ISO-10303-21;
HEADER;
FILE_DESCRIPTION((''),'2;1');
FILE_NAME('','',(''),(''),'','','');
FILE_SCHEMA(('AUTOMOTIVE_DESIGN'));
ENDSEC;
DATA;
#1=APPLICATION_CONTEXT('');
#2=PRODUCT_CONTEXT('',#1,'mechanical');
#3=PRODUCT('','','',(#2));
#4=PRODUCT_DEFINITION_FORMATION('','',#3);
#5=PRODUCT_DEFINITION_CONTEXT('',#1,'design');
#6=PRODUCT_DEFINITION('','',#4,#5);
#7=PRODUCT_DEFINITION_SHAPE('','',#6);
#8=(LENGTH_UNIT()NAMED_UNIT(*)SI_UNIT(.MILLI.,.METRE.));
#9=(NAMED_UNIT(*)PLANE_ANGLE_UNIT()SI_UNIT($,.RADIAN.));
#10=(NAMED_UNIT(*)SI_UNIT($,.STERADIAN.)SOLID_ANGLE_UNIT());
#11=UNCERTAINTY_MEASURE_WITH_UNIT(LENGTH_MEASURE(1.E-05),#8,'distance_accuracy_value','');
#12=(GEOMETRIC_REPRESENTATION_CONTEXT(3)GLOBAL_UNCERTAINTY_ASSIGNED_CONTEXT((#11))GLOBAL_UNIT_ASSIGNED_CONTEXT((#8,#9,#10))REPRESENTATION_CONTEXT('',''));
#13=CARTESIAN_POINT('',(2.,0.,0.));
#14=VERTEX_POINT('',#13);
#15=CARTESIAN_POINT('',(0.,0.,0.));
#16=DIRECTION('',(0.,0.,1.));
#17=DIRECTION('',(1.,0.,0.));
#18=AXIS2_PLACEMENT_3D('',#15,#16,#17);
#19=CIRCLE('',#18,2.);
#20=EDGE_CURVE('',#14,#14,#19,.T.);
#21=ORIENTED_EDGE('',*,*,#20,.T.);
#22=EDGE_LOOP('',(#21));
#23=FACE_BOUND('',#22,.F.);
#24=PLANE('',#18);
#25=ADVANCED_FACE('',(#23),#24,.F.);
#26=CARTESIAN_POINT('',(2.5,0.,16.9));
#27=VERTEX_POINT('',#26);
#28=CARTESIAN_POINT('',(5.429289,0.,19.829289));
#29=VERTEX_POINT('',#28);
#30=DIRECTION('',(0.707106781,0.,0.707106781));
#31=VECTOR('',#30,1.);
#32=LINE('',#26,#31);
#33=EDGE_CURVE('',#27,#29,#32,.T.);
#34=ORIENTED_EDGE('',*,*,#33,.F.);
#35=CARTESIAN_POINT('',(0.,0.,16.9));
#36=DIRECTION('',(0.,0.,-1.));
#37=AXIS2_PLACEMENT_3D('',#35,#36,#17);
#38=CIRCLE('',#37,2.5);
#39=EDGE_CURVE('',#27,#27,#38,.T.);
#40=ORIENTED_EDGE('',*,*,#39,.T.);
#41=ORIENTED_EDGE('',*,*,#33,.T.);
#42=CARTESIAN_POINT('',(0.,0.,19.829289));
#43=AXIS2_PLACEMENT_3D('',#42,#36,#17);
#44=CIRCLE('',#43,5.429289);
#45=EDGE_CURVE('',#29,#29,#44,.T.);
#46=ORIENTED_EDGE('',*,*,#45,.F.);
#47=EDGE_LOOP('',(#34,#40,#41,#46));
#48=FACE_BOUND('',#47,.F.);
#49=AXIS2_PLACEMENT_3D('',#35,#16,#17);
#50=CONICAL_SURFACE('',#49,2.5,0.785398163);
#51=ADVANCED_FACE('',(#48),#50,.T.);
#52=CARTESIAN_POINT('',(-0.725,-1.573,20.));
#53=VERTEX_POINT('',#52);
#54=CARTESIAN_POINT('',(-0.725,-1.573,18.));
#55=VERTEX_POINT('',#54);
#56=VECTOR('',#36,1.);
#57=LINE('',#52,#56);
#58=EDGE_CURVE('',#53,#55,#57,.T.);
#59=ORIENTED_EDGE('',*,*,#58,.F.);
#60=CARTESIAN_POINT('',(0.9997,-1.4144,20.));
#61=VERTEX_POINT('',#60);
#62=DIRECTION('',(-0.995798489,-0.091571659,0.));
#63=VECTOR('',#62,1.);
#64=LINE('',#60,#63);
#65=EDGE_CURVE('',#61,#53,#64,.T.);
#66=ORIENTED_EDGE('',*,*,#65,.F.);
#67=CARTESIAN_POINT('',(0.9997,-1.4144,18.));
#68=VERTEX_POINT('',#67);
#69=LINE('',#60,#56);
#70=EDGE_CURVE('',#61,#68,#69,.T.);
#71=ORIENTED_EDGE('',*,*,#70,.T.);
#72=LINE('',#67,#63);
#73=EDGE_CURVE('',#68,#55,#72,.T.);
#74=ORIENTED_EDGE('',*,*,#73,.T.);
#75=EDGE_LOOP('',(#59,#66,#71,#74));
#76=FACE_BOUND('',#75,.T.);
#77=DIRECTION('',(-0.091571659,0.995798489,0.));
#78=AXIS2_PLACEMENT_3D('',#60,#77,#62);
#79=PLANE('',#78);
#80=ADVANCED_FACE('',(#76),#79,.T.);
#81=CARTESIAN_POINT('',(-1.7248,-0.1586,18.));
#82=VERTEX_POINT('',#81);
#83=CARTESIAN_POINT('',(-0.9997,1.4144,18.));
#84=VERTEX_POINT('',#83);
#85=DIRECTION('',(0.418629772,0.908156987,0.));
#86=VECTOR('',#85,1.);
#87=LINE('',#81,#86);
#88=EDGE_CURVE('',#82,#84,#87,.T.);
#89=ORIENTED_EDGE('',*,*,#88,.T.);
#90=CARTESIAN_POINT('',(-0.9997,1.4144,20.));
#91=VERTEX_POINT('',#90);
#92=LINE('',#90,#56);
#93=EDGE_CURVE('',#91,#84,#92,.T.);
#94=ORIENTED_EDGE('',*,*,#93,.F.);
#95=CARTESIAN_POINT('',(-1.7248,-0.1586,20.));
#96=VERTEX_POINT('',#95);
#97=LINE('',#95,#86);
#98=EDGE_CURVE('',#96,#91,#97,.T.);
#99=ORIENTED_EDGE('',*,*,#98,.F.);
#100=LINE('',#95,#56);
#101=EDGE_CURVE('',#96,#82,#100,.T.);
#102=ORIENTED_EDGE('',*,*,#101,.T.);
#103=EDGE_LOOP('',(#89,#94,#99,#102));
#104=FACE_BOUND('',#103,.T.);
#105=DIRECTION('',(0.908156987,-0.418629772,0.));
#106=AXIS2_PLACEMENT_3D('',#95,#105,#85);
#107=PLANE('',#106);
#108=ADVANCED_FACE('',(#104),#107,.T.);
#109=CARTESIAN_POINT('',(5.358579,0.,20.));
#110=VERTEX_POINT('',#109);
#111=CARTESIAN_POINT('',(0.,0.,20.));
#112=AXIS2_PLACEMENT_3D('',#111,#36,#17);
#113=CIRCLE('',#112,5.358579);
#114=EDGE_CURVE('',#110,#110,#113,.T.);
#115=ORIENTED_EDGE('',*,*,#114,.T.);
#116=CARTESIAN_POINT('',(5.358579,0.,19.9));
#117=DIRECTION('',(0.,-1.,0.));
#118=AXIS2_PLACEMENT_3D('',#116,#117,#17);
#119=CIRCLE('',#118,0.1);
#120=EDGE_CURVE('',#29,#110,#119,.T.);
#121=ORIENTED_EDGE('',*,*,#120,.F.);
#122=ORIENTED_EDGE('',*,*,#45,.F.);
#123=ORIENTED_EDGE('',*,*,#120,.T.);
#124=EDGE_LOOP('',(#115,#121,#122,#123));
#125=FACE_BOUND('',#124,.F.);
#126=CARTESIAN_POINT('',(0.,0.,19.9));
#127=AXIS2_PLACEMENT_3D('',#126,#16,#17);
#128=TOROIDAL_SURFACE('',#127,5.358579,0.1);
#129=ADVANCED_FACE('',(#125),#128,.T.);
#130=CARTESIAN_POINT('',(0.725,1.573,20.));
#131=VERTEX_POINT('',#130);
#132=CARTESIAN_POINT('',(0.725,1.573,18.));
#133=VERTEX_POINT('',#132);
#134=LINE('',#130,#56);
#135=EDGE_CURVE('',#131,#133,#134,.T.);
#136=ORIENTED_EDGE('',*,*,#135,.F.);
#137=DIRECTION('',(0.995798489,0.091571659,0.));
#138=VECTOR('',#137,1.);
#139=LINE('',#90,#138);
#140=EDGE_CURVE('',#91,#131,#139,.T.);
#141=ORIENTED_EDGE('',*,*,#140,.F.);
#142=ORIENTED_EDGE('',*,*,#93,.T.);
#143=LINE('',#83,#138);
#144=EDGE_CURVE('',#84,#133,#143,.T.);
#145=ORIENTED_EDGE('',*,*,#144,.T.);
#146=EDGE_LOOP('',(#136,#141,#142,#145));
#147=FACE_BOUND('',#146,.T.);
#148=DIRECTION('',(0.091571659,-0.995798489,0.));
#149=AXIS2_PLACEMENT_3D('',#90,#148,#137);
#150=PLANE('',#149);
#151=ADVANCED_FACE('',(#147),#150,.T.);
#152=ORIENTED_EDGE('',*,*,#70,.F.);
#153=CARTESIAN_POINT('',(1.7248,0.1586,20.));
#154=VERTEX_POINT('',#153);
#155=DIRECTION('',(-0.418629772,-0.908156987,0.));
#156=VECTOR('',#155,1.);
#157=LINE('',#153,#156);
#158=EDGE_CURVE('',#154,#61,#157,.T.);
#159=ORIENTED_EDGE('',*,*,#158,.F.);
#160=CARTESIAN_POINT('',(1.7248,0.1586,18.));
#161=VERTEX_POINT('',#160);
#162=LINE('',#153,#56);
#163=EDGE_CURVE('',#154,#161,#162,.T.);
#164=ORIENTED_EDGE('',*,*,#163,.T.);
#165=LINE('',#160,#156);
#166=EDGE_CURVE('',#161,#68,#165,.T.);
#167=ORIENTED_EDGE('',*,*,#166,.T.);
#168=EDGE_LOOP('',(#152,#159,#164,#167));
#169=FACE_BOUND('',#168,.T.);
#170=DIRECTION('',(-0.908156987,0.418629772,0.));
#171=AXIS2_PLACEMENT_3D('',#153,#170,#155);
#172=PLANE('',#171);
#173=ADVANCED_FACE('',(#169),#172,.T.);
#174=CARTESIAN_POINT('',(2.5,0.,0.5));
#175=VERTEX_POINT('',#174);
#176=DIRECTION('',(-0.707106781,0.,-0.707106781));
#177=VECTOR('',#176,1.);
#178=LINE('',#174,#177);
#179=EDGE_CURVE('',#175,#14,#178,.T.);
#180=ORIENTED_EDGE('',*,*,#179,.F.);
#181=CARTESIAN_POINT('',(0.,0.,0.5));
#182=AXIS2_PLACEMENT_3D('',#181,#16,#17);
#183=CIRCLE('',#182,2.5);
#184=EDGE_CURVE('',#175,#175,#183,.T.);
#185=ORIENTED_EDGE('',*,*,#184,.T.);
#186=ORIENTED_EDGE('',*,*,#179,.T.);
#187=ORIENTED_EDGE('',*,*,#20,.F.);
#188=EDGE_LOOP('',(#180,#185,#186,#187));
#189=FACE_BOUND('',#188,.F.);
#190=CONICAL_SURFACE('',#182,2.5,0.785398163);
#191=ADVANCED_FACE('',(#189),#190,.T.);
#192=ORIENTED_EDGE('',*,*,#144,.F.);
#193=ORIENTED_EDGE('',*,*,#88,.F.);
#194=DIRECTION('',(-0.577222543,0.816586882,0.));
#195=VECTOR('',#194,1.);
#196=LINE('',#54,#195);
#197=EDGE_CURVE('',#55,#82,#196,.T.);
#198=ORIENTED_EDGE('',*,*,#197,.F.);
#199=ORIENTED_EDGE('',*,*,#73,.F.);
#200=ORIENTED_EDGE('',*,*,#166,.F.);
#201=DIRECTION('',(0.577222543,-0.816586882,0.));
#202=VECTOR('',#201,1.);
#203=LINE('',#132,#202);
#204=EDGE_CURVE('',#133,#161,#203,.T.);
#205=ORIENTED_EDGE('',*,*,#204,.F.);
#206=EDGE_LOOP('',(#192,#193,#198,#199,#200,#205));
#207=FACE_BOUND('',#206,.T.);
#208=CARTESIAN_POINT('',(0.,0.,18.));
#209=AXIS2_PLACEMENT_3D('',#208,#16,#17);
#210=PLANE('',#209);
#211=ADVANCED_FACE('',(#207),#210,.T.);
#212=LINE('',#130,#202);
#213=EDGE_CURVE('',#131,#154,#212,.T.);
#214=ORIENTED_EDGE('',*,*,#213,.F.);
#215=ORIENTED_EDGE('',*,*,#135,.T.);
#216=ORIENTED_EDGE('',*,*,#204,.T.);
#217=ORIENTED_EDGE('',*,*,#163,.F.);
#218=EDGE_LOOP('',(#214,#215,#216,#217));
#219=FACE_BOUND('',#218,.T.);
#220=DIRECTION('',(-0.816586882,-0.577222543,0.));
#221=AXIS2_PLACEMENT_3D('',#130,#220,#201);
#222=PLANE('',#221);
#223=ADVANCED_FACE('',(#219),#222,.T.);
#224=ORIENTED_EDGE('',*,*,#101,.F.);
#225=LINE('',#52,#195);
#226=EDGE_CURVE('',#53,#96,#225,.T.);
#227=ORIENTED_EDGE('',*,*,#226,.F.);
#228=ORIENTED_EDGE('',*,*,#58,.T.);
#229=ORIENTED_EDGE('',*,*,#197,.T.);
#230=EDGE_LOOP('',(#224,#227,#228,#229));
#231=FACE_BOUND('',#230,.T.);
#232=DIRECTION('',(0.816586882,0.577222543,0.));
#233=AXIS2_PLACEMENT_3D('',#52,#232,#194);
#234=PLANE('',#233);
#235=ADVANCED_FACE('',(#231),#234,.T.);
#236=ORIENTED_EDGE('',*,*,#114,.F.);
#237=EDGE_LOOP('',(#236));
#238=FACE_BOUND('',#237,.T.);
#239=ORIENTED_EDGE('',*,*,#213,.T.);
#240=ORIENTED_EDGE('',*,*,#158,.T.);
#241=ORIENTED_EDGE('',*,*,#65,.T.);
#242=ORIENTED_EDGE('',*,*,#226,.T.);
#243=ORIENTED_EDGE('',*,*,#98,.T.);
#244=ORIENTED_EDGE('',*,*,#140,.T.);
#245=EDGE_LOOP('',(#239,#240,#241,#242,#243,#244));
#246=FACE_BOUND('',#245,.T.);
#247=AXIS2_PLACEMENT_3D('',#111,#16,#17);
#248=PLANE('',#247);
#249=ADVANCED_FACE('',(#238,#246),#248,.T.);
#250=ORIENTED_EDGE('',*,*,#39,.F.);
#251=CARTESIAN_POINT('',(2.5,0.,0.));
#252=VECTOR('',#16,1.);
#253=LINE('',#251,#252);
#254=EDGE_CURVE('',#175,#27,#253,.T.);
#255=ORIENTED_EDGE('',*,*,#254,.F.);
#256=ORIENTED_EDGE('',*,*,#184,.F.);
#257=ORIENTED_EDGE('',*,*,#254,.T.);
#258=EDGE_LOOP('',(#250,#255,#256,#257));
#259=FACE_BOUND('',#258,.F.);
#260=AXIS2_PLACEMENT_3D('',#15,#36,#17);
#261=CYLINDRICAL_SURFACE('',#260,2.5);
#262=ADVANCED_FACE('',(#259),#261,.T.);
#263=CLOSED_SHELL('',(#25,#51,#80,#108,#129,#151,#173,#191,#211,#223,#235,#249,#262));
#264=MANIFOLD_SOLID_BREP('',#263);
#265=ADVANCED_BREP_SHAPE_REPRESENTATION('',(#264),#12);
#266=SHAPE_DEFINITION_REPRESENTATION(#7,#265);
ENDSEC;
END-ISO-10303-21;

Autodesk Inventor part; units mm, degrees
ref_plane "YZ Plane" through (0, 0, 0) normal (1, 0, 0) x (0, 1, 0)
ref_plane "XZ Plane" through (0, 0, 0) normal (0, 1, 0) x (-1, 0, 0)
ref_plane "XY Plane" through (0, 0, 0) normal (0, 0, 1) x (1, 0, 0)
sketch "Sketch1" plane through (0, 0, 0) normal (0, 0, 1) x (1, 0, 0)
  circle A0 centre (0, 0) radius 2.5
  dimension "Diameter" = 5
extrude "Extrusion1" add sketch "Sketch1" along normal blind 16.9
sketch "Sketch2" plane through (0, 0, 16.9) normal (0, 0, 1) x (1, 0, 0)
  circle A0 centre (0, 0) radius 2.5 projected
extrude "Extrusion2" add sketch "Sketch2" along normal blind 3.1 draft 45
sketch "Sketch3" plane through (0, 0, 20) normal (0, 0, 1) x (1, 0, 0)
  circle A0 centre (0, 0) radius 5.6 projected
  circle A1 centre (0, 0) radius 1.7321 construction
  line L0 (0.725, 1.573) -> (1.7248, 0.1586)
  line L1 (1.7248, 0.1586) -> (0.9997, -1.4144)
  line L2 (0.9997, -1.4144) -> (-0.725, -1.573)
  line L3 (-0.725, -1.573) -> (-1.7248, -0.1586)
  line L4 (-1.7248, -0.1586) -> (-0.9997, 1.4144)
  line L5 (-0.9997, 1.4144) -> (0.725, 1.573)
  dimension "Hex_Width" = 3
extrude "Extrusion3" cut sketch "Sketch3" against normal blind 2 contours L0 L1 L2 L3 L4 L5
thread "Thread1" size "M5x0.8" class "4g6g" standard "ANSI Metric M Profile" length 16.9
chamfer "Chamfer2" distance 0.5 angle 45 1 edges at (-2.5, 0, 0)
fillet "Fillet1" radius 0.1 1 edges at (-5.6, 0, 20)
equation "\"d10\" = Thread_Length"
equation "\"d13\" = Chamfer"
equation "\"Thread_Length\" = 16.9"
equation "\"Chamfer\" = 0.5"
properties part number "SCREW, FLAT HD, P, 5, M5X0_8X20MM"
